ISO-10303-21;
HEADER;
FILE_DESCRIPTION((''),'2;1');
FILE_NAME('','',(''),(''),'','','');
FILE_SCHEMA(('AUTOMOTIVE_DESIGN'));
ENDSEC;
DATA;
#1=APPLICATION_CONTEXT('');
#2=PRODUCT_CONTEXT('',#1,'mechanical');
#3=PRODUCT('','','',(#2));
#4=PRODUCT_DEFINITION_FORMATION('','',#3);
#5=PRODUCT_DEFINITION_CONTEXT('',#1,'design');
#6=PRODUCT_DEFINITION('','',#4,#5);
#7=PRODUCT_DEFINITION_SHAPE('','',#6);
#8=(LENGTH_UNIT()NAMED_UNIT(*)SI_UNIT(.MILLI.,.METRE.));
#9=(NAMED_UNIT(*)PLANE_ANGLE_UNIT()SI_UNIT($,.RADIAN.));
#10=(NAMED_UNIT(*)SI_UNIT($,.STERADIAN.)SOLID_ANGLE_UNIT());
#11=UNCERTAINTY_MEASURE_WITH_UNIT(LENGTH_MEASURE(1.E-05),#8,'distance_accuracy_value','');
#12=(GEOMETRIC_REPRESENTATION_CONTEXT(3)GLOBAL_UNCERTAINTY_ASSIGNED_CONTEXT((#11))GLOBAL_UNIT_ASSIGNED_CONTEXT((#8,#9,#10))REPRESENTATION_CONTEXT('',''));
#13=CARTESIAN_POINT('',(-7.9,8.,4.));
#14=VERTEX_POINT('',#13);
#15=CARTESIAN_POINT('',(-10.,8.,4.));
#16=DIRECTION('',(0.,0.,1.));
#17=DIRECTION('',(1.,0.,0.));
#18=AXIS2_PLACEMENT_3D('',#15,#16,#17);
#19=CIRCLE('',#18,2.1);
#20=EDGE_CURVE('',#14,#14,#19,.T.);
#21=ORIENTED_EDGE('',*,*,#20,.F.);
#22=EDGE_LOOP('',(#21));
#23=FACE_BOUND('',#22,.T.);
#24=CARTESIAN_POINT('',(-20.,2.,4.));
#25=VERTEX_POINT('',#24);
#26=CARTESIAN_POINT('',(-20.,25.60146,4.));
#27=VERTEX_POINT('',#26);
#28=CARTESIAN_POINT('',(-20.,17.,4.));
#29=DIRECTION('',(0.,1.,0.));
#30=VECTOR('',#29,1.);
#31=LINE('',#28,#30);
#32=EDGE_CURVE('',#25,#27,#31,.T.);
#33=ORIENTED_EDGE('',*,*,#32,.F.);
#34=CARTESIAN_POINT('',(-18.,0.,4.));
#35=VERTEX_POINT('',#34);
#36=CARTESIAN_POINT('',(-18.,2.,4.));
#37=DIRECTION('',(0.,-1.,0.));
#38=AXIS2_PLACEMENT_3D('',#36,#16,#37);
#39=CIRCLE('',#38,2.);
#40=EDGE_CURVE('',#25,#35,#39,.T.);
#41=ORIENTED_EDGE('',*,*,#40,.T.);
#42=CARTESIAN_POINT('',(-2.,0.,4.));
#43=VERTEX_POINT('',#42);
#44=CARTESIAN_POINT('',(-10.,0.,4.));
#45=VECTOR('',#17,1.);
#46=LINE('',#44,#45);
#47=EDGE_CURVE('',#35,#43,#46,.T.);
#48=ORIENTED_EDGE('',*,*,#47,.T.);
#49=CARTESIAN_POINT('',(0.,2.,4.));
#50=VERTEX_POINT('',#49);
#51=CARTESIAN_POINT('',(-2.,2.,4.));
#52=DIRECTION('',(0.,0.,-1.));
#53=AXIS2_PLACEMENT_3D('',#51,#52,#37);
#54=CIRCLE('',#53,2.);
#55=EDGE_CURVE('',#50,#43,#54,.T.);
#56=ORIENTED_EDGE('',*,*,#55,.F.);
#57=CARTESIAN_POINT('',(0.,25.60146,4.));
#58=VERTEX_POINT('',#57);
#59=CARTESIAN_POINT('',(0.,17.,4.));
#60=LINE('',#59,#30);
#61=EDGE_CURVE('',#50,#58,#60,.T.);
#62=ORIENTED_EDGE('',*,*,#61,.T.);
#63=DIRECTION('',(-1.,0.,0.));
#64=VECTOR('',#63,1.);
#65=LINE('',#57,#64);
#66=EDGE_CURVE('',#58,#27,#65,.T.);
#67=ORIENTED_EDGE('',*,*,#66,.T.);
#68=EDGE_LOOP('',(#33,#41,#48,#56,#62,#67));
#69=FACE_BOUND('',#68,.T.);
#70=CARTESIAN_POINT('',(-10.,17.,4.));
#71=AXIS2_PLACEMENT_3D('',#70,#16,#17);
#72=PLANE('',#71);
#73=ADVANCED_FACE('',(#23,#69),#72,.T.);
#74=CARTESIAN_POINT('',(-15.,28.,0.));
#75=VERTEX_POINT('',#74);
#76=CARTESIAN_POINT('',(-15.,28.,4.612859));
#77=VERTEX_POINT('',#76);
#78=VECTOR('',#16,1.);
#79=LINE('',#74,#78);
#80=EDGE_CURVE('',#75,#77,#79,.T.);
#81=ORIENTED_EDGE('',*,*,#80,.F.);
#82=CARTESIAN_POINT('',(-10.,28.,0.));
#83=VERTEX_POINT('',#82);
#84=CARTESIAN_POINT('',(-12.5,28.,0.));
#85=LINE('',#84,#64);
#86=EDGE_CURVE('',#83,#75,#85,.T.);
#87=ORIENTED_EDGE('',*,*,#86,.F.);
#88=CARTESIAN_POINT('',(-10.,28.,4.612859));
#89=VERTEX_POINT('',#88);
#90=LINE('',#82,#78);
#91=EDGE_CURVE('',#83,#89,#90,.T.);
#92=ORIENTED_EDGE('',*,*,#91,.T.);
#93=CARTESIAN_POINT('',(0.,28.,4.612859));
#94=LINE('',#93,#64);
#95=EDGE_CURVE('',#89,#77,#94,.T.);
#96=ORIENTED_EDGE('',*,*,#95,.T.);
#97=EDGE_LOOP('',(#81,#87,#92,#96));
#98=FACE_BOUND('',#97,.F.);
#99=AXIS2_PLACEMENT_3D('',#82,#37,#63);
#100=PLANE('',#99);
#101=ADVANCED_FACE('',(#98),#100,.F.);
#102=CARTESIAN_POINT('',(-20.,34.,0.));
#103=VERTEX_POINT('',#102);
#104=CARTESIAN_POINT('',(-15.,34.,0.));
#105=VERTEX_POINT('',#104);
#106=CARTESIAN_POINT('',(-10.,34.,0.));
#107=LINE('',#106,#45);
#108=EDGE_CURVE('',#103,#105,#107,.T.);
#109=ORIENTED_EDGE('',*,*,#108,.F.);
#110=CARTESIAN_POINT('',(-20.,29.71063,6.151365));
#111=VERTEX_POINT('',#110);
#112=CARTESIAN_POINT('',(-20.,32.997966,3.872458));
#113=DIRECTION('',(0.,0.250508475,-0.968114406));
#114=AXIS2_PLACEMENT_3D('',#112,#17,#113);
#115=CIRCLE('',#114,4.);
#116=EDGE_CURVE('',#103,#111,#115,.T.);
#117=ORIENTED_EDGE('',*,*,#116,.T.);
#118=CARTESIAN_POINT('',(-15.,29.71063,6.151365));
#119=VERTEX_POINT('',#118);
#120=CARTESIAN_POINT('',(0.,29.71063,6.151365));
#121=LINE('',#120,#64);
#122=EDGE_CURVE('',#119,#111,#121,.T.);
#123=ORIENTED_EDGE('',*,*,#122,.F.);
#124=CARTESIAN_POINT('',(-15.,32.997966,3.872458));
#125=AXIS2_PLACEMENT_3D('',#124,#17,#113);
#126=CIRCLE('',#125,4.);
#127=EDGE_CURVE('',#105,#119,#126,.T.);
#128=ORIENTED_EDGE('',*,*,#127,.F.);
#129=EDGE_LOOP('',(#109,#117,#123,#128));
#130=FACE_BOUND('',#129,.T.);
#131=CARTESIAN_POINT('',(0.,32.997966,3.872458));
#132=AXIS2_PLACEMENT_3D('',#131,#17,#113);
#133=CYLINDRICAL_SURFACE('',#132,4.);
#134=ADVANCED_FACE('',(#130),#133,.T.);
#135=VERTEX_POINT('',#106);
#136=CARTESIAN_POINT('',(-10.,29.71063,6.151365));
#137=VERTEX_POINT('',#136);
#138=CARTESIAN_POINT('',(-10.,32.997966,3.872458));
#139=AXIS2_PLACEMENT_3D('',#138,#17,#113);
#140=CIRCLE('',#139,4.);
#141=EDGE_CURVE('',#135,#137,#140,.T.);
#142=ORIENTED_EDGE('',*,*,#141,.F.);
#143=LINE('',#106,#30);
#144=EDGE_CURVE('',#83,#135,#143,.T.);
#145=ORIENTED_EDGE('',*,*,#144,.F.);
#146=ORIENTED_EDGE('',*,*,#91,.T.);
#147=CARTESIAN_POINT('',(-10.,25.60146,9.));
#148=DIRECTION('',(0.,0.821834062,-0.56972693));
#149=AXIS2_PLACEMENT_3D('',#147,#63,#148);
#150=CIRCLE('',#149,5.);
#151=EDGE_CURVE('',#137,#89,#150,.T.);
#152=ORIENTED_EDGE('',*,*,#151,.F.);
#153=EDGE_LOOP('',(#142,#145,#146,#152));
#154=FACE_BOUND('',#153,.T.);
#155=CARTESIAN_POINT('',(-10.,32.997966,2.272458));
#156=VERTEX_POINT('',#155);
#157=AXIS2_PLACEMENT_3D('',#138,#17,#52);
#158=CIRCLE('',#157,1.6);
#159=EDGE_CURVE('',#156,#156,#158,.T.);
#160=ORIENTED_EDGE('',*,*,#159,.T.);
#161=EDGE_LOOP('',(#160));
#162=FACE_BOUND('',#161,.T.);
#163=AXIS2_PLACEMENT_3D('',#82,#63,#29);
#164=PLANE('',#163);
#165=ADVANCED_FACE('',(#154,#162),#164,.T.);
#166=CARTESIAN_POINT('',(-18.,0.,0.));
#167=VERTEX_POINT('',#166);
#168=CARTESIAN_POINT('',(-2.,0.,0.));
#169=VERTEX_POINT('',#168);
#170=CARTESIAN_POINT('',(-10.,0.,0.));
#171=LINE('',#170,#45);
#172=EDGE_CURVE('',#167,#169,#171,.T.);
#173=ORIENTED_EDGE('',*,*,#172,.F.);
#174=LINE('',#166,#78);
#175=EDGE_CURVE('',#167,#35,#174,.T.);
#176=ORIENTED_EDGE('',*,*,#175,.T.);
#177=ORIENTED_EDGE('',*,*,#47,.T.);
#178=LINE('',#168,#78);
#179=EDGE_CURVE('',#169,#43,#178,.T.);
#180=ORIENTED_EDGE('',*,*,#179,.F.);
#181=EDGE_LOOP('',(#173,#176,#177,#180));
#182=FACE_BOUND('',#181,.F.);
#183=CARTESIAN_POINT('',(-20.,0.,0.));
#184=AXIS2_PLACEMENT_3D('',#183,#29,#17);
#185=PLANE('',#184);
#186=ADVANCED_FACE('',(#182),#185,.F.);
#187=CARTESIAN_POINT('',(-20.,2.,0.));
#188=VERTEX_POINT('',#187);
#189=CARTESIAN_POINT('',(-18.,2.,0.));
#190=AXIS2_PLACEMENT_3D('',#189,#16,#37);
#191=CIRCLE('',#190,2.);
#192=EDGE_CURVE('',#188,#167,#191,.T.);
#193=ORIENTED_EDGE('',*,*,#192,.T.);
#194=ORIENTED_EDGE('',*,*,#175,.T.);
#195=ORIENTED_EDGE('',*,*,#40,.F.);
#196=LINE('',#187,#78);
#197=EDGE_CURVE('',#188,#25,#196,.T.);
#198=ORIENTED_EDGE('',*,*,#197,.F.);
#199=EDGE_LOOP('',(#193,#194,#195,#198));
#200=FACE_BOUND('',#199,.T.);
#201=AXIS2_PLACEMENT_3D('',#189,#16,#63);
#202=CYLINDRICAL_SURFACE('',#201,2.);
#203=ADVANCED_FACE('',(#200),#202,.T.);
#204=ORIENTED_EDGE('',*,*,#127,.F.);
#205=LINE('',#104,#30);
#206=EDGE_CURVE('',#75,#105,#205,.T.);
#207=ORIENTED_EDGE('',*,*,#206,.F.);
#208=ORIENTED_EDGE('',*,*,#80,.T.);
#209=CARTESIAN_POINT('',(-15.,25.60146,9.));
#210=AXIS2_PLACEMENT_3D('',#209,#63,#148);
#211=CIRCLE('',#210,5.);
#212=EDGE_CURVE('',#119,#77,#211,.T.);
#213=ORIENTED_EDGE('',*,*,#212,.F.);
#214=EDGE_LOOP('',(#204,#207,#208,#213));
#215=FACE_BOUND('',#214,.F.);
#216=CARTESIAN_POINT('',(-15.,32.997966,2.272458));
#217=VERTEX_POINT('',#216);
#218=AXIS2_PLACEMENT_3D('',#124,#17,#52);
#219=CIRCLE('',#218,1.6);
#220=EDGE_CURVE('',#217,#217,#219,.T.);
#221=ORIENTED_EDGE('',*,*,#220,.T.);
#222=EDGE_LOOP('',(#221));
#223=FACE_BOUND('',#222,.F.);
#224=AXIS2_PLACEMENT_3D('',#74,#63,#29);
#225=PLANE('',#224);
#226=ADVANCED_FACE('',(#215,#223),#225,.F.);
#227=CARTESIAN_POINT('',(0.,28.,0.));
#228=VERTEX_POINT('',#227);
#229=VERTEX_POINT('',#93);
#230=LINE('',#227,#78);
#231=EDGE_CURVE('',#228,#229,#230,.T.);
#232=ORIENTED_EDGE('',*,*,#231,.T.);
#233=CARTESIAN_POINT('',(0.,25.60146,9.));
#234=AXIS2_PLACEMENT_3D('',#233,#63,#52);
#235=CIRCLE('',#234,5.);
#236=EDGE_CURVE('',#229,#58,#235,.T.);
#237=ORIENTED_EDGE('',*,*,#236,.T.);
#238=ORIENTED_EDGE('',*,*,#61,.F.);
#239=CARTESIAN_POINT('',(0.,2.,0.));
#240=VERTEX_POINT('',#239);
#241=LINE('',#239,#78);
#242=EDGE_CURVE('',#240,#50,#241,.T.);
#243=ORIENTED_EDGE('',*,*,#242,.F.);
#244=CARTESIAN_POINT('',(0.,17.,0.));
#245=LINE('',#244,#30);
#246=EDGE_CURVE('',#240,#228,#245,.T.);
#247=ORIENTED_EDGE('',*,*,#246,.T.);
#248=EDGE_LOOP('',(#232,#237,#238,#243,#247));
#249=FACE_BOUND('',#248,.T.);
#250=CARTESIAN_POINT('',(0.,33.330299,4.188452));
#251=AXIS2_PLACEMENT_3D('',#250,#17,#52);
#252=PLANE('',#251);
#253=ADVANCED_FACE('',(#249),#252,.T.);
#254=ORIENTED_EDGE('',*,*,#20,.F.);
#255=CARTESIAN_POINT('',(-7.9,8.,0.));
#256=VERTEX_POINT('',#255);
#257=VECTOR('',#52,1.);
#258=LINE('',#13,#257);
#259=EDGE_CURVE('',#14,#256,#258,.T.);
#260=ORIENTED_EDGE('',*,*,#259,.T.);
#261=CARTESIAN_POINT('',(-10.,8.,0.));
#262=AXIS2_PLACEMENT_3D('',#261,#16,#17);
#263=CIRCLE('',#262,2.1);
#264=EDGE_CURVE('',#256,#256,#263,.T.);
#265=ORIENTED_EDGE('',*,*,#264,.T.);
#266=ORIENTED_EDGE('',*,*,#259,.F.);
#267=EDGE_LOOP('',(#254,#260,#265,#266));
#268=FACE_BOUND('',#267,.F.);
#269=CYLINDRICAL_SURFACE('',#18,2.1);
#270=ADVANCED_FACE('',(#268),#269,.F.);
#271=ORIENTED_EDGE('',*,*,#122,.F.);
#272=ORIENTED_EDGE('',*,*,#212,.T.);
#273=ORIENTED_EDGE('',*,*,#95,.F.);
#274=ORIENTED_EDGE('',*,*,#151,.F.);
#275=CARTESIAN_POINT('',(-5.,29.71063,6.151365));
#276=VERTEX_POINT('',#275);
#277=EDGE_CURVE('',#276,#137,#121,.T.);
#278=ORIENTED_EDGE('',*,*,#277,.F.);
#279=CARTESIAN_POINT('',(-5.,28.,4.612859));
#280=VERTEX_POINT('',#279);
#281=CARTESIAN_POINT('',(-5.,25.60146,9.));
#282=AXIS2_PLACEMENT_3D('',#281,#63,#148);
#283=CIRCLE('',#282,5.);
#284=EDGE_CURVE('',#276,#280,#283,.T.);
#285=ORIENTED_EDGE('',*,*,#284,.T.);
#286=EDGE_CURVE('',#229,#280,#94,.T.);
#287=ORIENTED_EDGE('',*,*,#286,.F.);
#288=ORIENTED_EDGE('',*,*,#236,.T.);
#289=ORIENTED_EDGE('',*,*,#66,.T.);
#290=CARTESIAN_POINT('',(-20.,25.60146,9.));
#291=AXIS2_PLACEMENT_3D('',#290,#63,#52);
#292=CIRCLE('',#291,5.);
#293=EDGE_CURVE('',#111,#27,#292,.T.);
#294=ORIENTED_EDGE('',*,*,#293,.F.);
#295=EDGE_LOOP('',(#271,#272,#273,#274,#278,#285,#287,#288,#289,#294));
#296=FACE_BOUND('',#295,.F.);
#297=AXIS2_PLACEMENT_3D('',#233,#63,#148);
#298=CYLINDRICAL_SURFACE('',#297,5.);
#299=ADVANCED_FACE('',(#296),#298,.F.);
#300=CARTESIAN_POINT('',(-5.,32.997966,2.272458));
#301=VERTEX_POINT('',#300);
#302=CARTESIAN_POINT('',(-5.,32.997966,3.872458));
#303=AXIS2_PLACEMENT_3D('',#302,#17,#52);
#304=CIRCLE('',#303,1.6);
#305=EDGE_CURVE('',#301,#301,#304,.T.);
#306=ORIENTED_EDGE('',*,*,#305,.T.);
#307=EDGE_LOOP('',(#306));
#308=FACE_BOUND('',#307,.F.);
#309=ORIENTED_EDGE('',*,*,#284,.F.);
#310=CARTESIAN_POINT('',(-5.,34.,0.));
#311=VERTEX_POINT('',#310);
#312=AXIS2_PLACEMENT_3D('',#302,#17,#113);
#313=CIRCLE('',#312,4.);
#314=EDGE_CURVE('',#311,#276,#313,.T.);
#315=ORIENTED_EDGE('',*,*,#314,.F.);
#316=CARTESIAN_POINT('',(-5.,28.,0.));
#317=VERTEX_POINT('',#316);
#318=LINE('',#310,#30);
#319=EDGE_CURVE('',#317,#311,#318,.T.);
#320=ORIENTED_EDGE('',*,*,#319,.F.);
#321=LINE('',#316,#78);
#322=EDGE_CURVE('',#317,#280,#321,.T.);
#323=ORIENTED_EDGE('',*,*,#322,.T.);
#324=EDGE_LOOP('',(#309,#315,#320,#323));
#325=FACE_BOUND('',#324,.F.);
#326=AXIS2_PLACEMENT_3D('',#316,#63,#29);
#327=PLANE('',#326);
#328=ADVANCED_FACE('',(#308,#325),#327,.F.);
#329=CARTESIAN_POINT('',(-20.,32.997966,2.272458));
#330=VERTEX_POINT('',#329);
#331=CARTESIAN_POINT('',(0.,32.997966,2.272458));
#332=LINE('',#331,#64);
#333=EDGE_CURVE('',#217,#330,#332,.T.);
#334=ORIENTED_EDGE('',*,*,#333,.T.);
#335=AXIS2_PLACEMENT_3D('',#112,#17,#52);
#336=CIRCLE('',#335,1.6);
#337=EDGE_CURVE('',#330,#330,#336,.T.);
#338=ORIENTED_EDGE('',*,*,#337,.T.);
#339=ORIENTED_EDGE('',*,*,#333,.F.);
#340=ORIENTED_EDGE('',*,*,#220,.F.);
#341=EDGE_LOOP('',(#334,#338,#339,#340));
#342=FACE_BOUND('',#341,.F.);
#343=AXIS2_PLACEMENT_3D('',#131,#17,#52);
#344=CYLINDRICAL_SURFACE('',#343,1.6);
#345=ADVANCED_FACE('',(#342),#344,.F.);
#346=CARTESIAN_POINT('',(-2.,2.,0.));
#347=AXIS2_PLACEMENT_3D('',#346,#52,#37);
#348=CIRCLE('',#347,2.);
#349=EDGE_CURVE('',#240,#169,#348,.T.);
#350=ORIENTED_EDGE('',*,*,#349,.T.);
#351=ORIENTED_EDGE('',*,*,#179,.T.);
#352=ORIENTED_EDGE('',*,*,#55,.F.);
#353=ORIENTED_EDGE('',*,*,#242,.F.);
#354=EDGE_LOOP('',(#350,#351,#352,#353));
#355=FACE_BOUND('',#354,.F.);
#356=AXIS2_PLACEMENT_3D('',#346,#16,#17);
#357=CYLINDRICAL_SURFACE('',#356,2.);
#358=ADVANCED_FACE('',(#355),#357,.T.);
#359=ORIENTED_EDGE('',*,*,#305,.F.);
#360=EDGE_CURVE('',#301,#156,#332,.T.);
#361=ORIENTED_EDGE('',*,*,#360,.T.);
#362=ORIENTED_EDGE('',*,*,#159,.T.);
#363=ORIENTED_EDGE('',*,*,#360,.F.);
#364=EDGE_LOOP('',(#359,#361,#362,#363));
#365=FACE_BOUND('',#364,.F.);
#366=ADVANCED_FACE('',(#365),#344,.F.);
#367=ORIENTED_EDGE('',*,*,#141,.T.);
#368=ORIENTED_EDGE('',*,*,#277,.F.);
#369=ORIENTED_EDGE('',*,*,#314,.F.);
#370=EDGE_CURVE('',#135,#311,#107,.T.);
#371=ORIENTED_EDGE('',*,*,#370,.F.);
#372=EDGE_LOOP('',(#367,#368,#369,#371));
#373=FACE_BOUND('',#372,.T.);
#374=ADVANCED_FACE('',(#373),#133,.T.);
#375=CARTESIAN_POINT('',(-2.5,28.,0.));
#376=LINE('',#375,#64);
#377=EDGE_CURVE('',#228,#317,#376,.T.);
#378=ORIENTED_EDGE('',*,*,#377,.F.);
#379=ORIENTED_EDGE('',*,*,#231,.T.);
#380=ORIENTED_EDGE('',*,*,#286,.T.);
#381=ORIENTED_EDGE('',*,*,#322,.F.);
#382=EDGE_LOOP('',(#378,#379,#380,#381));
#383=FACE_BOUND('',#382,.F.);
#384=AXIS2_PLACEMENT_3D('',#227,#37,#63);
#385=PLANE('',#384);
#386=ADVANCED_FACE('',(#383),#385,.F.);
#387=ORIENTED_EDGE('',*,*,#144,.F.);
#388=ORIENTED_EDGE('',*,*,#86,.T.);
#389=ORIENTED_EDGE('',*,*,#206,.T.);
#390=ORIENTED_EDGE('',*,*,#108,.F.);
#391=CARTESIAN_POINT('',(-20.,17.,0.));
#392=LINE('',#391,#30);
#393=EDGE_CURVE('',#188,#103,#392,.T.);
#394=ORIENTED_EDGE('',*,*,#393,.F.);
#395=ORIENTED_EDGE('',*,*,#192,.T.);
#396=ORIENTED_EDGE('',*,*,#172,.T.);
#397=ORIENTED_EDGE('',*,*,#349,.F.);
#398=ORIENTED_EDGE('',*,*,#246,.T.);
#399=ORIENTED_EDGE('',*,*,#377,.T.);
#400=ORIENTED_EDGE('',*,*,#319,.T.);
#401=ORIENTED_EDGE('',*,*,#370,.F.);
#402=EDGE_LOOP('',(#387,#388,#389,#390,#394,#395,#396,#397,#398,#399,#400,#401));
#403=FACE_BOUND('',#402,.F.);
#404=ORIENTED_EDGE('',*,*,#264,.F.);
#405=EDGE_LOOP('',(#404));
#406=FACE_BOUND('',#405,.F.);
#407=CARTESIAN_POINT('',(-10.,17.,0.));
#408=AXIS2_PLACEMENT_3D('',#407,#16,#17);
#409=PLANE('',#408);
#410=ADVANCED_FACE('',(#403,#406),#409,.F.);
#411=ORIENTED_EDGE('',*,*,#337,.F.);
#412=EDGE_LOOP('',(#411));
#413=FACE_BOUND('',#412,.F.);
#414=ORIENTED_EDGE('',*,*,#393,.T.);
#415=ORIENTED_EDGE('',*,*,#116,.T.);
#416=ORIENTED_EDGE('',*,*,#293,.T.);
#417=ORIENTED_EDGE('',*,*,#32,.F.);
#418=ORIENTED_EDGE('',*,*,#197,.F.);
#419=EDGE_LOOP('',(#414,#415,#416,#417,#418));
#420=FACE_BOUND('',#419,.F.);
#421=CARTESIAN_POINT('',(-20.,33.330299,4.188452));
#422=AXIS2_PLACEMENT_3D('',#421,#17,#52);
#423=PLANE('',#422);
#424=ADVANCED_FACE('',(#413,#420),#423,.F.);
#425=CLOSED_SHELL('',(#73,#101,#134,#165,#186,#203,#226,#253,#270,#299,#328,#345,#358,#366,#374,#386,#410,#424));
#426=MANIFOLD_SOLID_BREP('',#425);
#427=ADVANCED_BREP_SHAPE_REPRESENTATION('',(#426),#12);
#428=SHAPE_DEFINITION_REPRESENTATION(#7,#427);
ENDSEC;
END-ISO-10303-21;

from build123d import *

# Parameters (mm, degrees)
SKETCH1_W           = 20
SKETCH1_H           = 34
BOSS_EXTRUDE1_DEPTH = 4
BOSS_EXTRUDE2_DEPTH = 20
FILLET1_R           = 5
SKETCH3_R           = 1.6
CUT_EXTRUDE1_DEPTH  = 21
SKETCH4_R           = 2.1
CUT_EXTRUDE2_DEPTH  = 5
FILLET2_R           = 2
SKETCH5_W           = 5
SKETCH5_H           = 12
CUT_EXTRUDE3_DEPTH  = 8.872457626


with BuildPart() as part:
    # Sketch1 → Boss-Extrude1 (new body)
    with BuildSketch(Plane.XY):
        with Locations((-10, 17)):
            Rectangle(SKETCH1_W, SKETCH1_H)
    extrude(amount=BOSS_EXTRUDE1_DEPTH)

    # Sketch2 → Boss-Extrude2 (add)
    with BuildSketch(Plane(origin=(0, 0, 0), x_dir=(0, 0, -1), z_dir=(1, 0, 0))):
        with BuildLine():
            Line((-4, 29), (-4, 34))
            Line((-4, 34), (0, 34))
            ThreePointArc((0, 34), (-6.995932864, 35.496746291), (-4, 29))
        make_face()
    extrude(amount=-BOSS_EXTRUDE2_DEPTH)

    # Fillet1
    fillet1_edges = [part.edges().sort_by_distance(p)[0] for p in [
        (-10, 29, 4),
    ]]
    fillet(fillet1_edges, radius=FILLET1_R)

    # Sketch3 → Cut-Extrude1 (cut, through all)
    with BuildSketch(Plane(origin=(0, 0, 0), x_dir=(0, 0, -1), z_dir=(1, 0, 0))):
        with Locations((-3.872457626, 32.997966101)):
            Circle(SKETCH3_R)
    extrude(amount=-CUT_EXTRUDE1_DEPTH, mode=Mode.SUBTRACT)

    # Sketch4 → Cut-Extrude2 (cut, through all)
    with BuildSketch(Plane.XY.offset(4)):
        with Locations((-10, 8)):
            Circle(SKETCH4_R)
    extrude(amount=-CUT_EXTRUDE2_DEPTH, mode=Mode.SUBTRACT)

    # Fillet2
    fillet2_edges = [part.edges().sort_by_distance(p)[0] for p in [
        (0, 0, 2),
        (-20, 0, 2),
    ]]
    fillet(fillet2_edges, radius=FILLET2_R)

    # Sketch5 → Cut-Extrude3 (cut, through all)
    with BuildSketch(Plane(origin=(0, 0, 0), x_dir=(-1, 0, 0), z_dir=(0, 0, -1))):
        with Locations((2.5, 34)):
            Rectangle(SKETCH5_W, SKETCH5_H)
        with Locations((12.5, 34)):
            Rectangle(SKETCH5_W, SKETCH5_H)
    extrude(amount=-CUT_EXTRUDE3_DEPTH, mode=Mode.SUBTRACT)


solid = part.part
